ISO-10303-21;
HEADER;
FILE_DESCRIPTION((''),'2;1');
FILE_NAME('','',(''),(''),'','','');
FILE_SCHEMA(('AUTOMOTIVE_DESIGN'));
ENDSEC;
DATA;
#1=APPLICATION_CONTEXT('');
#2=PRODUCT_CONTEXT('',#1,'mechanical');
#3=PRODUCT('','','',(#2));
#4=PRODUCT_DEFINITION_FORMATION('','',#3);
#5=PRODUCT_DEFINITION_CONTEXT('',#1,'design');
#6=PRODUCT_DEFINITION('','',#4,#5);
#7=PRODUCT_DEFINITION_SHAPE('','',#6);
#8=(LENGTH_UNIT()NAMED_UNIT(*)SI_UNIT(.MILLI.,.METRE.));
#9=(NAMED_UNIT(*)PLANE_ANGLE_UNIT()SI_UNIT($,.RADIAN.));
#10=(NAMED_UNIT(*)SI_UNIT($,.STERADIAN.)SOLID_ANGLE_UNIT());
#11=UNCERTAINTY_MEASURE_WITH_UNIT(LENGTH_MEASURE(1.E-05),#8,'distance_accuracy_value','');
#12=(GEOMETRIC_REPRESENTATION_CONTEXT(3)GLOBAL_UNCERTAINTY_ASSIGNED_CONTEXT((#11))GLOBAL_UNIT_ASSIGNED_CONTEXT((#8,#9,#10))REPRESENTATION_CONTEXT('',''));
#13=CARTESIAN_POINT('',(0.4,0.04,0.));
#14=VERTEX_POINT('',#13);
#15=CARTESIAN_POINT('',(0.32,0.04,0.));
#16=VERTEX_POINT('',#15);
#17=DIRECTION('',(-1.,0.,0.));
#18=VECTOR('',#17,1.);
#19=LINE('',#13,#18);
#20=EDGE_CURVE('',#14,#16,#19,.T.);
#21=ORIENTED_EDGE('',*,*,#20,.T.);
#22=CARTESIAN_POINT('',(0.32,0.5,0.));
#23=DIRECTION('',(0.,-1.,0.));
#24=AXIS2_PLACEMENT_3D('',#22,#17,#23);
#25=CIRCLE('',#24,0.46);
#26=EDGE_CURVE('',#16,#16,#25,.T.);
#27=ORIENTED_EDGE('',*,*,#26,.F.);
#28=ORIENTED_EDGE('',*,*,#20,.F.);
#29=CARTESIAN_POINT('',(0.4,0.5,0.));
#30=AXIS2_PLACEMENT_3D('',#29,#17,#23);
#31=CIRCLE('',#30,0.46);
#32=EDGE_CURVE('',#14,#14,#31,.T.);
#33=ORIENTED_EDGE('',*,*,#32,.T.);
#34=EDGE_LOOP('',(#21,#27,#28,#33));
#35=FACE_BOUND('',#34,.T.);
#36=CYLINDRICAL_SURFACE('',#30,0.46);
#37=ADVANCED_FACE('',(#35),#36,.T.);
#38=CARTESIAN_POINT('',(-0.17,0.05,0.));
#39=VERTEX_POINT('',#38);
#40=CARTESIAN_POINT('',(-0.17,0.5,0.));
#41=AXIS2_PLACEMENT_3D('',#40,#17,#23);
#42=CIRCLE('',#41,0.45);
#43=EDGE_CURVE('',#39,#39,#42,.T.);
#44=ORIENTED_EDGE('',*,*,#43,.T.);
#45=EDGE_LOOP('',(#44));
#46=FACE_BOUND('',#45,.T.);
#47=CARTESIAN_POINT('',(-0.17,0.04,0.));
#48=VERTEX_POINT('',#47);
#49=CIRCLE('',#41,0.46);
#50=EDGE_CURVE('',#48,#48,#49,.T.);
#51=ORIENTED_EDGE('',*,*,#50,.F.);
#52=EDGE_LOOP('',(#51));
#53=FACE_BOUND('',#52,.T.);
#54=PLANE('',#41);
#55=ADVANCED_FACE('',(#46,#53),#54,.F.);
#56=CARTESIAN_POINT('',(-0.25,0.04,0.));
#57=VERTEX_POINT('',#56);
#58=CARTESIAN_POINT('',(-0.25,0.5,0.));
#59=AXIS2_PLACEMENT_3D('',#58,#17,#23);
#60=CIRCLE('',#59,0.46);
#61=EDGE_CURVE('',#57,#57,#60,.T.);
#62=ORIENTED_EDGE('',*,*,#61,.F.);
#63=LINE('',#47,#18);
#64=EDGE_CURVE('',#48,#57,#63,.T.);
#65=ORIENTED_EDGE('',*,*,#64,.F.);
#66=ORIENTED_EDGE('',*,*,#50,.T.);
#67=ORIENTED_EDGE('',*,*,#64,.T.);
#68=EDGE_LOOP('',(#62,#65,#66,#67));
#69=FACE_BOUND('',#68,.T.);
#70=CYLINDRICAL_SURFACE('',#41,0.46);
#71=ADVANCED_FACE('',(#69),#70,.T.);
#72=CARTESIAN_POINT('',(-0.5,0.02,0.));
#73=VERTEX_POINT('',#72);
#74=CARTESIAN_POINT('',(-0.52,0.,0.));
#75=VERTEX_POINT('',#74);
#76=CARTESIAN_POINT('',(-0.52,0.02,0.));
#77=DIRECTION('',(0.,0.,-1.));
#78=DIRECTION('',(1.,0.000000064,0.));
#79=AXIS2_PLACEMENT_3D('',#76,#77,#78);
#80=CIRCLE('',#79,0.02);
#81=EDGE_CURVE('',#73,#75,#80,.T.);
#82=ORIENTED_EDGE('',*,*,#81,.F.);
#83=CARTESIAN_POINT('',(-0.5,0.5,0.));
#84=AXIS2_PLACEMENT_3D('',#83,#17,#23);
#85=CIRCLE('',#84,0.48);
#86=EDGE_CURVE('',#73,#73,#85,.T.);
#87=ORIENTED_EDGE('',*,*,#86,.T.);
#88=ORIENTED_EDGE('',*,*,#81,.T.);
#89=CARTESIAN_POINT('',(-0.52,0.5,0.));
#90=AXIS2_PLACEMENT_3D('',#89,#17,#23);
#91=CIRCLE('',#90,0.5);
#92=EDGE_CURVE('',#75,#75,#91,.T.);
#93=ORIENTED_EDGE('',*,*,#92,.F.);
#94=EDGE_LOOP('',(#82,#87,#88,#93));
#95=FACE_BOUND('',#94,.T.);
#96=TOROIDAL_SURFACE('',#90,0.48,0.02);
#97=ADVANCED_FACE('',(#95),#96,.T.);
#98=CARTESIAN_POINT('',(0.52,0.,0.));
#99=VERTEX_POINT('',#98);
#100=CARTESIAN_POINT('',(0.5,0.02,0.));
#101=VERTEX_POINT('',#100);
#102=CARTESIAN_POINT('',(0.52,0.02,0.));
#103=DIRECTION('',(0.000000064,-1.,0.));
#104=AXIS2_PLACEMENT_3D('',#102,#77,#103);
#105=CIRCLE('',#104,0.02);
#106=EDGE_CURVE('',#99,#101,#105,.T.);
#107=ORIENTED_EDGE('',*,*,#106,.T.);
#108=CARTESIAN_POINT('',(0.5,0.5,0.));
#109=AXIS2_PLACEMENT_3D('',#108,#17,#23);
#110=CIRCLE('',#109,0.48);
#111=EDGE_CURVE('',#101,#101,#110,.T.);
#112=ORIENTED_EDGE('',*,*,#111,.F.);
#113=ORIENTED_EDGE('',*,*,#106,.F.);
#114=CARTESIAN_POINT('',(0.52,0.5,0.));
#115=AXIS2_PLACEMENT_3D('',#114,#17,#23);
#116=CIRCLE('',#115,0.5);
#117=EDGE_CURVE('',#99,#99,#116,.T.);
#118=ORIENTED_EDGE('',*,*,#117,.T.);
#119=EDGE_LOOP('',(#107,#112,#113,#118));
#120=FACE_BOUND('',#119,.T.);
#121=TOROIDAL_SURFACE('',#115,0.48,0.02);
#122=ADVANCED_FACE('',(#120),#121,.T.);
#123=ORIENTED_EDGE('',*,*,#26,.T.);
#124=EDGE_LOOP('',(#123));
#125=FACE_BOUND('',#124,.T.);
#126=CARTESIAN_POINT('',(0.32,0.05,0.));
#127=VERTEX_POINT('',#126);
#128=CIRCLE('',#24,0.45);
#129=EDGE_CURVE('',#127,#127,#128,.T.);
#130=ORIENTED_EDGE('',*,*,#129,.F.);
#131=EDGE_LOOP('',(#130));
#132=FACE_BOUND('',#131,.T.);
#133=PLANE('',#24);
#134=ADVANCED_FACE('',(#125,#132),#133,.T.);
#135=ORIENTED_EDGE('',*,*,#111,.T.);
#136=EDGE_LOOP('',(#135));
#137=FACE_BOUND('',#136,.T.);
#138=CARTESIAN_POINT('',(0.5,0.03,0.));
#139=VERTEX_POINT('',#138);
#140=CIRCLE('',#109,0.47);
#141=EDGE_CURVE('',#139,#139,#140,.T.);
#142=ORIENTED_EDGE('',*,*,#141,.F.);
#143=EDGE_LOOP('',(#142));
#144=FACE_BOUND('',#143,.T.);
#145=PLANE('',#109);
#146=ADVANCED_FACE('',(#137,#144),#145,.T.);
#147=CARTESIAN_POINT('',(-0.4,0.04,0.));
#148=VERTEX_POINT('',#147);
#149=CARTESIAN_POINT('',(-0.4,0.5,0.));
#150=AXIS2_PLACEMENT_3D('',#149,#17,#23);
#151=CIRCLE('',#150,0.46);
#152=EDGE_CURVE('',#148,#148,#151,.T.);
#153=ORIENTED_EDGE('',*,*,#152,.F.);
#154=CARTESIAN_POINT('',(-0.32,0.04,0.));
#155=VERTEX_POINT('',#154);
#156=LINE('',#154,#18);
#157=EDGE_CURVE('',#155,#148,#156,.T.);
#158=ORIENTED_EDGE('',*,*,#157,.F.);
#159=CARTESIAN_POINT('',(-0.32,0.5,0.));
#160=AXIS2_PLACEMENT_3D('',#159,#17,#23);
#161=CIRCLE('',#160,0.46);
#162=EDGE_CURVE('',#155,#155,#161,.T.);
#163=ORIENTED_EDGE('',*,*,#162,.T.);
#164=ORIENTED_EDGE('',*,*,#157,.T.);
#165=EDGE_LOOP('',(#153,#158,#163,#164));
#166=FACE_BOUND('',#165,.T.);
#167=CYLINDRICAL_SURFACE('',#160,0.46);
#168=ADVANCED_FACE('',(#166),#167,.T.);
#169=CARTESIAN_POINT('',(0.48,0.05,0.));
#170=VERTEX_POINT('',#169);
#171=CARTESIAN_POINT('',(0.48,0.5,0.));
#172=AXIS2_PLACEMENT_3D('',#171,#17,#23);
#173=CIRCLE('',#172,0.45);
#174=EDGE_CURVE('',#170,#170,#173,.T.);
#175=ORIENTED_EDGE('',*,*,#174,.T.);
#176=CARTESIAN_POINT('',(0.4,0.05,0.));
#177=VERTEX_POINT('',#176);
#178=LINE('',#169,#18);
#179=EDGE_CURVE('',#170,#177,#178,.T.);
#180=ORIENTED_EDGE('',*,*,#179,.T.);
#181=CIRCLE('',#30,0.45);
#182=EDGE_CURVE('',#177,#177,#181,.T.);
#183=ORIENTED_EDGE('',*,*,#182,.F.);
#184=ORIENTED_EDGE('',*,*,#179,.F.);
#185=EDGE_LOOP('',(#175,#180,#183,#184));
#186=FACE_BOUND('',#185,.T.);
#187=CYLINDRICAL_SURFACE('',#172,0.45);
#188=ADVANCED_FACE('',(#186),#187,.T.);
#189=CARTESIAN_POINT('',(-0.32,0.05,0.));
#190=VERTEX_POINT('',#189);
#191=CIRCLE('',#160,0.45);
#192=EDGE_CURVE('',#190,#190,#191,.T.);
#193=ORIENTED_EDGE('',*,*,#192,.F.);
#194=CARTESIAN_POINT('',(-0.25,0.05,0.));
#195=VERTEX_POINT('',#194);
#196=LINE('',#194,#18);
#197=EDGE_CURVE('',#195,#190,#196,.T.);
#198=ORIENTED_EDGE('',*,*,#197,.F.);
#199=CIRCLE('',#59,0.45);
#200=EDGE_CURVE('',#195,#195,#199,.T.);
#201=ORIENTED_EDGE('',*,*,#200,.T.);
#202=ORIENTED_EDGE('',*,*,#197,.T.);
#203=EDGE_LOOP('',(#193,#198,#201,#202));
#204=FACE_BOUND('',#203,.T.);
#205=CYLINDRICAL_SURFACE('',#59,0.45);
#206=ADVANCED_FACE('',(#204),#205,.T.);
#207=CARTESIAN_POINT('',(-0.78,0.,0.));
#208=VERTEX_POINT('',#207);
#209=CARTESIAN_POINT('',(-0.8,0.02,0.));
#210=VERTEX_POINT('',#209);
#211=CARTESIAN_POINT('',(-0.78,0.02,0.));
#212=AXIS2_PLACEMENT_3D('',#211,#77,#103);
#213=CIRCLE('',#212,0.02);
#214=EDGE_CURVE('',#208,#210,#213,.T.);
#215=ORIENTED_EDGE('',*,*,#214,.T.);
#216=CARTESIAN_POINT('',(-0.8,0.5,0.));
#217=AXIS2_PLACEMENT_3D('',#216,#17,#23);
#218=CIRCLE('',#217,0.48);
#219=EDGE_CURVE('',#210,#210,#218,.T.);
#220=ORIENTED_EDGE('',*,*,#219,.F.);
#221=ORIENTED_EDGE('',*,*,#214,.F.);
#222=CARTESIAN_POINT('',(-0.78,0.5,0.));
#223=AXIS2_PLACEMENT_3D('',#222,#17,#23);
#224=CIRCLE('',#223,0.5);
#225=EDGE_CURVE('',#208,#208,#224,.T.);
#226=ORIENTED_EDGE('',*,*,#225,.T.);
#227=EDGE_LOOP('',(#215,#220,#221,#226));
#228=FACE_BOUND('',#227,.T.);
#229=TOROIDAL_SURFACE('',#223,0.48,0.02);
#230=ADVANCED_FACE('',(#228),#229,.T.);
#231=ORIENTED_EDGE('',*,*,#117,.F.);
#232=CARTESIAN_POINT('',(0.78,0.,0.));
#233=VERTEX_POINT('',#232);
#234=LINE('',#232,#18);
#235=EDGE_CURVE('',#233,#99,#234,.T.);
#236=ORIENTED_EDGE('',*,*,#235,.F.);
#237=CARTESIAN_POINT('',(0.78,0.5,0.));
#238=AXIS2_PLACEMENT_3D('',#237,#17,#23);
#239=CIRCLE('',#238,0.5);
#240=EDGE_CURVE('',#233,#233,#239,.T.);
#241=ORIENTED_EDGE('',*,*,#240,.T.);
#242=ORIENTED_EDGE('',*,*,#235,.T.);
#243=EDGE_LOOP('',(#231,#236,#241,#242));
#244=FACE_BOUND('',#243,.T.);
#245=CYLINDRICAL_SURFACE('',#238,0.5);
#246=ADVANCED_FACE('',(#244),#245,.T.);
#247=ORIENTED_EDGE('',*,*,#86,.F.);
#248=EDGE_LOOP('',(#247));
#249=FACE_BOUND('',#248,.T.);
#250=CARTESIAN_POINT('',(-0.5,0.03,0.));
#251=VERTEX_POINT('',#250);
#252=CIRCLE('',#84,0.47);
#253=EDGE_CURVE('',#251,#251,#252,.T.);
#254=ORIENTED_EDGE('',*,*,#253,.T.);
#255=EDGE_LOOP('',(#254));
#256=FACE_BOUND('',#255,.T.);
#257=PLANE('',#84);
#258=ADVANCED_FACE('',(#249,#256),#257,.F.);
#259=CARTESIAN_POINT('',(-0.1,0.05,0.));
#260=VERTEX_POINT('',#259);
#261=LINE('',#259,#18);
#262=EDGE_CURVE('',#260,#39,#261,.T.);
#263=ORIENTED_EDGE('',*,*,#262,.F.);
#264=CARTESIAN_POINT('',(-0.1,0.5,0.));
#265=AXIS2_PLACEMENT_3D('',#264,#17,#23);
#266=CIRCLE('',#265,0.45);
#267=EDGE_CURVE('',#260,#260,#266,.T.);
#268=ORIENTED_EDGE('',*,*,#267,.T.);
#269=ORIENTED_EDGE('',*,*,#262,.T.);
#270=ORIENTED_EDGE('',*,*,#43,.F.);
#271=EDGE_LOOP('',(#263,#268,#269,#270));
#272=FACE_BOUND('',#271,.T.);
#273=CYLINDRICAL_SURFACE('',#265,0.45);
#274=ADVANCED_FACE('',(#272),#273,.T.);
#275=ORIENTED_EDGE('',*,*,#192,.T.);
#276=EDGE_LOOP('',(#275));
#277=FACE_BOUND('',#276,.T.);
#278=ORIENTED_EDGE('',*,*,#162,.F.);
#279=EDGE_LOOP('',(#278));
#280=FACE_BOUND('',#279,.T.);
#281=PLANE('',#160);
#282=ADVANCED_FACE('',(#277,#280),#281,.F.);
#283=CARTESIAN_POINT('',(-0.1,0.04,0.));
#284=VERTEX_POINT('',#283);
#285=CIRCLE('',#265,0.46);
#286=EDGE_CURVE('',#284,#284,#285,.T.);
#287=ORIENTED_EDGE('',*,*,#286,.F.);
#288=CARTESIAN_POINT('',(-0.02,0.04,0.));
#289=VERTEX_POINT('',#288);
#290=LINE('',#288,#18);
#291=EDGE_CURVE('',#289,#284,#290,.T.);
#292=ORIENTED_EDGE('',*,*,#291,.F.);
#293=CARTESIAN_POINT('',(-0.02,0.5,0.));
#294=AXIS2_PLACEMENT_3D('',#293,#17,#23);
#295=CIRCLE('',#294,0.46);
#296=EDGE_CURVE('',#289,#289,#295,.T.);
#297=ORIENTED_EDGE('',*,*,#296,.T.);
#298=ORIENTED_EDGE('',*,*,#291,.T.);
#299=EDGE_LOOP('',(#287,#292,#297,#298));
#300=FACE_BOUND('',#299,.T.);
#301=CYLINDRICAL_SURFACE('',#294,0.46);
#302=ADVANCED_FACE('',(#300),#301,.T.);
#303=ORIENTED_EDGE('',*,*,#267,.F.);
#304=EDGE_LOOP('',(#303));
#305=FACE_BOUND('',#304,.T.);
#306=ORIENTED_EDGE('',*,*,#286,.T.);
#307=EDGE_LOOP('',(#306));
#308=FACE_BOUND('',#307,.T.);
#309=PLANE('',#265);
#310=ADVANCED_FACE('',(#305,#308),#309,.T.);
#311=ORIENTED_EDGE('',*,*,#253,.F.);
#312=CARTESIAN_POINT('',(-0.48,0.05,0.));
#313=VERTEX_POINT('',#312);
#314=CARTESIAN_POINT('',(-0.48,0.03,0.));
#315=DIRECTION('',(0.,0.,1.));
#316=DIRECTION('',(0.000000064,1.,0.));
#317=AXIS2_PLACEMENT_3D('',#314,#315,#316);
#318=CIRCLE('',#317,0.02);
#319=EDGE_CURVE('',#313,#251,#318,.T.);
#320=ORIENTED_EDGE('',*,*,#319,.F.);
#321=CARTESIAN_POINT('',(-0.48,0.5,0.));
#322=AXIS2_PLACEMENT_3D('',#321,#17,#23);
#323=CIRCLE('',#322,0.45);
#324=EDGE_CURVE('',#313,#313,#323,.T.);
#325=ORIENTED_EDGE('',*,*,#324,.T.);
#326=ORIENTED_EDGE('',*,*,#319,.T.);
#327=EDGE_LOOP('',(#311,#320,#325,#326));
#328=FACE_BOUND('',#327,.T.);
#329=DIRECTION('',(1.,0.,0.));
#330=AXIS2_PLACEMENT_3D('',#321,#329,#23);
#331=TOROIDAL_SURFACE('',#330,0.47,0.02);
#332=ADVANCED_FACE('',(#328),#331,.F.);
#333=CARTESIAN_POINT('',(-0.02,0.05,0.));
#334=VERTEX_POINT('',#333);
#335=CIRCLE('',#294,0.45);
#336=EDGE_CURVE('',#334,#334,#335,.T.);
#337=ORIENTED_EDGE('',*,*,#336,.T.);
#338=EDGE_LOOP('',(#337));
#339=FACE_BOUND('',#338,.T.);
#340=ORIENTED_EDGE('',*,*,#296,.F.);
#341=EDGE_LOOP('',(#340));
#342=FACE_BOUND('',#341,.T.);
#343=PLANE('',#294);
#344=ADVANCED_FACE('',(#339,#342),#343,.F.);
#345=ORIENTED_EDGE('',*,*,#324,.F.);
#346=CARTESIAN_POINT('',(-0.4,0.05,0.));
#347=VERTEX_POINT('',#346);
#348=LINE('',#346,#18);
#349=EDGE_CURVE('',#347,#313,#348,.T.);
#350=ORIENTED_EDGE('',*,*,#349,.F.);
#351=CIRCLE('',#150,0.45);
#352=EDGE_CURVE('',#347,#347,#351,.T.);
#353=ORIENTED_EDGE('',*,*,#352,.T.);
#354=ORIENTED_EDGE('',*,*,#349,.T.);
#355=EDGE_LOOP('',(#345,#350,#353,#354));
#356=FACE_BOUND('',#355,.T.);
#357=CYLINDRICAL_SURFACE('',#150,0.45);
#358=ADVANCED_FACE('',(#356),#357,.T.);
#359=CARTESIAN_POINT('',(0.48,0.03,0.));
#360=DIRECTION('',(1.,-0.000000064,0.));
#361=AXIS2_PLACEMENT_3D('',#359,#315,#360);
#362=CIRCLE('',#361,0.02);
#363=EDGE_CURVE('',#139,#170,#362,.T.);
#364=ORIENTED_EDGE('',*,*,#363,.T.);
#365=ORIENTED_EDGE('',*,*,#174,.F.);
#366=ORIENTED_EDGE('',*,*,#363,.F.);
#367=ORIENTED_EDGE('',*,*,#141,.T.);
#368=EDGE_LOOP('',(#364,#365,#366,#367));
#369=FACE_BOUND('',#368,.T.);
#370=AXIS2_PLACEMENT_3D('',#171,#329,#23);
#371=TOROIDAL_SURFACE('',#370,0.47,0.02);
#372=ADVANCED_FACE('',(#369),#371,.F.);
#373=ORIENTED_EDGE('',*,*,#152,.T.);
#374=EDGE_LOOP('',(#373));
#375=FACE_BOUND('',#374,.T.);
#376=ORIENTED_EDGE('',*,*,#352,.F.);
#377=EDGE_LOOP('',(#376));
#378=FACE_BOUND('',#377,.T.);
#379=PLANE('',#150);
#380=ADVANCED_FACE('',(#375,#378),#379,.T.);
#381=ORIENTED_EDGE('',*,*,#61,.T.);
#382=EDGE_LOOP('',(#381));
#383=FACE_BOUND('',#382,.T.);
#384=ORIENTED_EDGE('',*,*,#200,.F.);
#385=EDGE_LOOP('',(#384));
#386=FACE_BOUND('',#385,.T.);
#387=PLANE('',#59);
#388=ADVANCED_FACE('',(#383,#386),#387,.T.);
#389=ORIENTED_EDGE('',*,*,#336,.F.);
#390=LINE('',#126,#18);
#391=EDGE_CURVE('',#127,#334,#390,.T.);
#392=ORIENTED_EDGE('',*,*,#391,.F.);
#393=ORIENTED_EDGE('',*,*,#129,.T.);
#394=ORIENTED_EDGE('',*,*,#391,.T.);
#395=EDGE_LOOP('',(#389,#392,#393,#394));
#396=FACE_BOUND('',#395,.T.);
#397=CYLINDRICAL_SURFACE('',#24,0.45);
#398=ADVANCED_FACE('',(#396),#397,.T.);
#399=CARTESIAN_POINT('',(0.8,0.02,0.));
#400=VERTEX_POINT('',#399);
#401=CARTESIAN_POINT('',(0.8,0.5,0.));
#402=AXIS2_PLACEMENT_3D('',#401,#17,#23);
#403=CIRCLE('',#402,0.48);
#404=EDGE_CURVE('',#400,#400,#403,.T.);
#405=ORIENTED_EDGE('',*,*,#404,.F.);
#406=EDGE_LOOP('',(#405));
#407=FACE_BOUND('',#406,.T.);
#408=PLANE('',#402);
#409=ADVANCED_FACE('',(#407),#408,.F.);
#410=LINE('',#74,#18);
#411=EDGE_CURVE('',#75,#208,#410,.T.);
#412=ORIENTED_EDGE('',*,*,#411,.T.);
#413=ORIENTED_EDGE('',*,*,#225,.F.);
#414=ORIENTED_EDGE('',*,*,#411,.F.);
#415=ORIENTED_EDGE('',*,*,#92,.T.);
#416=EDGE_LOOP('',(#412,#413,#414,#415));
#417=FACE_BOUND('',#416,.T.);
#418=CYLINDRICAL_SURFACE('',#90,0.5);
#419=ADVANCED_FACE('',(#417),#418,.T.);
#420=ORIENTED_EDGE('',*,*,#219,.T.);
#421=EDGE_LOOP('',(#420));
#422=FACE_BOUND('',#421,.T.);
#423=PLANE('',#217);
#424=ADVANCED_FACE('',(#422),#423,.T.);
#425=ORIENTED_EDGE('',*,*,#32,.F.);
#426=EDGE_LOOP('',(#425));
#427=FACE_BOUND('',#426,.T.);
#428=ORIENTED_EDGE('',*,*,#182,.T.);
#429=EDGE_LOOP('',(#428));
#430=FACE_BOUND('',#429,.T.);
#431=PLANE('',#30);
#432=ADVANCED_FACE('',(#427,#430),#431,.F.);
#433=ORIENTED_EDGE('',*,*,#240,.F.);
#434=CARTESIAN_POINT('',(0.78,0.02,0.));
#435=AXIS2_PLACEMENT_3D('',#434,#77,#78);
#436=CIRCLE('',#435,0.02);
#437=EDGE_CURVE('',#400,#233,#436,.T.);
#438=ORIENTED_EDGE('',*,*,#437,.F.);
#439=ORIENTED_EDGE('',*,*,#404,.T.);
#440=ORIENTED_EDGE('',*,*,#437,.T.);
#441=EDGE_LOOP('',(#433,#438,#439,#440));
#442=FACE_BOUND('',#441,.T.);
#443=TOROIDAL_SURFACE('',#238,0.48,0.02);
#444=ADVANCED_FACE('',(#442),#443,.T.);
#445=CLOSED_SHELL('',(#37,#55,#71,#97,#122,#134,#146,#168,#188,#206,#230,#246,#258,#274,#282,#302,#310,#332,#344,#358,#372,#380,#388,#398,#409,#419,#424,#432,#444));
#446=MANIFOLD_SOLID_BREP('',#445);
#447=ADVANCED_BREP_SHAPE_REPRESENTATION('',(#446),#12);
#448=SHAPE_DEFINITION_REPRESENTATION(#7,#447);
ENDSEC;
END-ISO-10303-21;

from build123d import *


with BuildPart() as part:
    # Sketch1 → Revolve1 (revolve)
    with BuildSketch(Plane.XY):
        with BuildLine():
            Line((-0.8, 0.5), (0.8, 0.5))
            Line((0.8, 0.5), (0.8, 0.02))
            ThreePointArc((0.8, 0.02), (0.794142136, 0.005857864), (0.78, 0))
            Line((0.78, 0), (0.52, 0))
            ThreePointArc((0.52, 0), (0.505857864, 0.005857864), (0.5, 0.02))
            Line((0.5, 0.02), (0.5, 0.03))
            ThreePointArc((0.5, 0.03), (0.494142136, 0.044142136), (0.48, 0.05))
            Line((0.48, 0.05), (0.4, 0.05))
            Line((0.4, 0.05), (0.4, 0.04))
            Line((0.4, 0.04), (0.32, 0.04))
            Line((0.32, 0.04), (0.32, 0.05))
            Line((0.32, 0.05), (-0.02, 0.05))
            Line((-0.02, 0.05), (-0.02, 0.04))
            Line((-0.02, 0.04), (-0.1, 0.04))
            Line((-0.1, 0.04), (-0.1, 0.05))
            Line((-0.1, 0.05), (-0.17, 0.05))
            Line((-0.17, 0.05), (-0.17, 0.04))
            Line((-0.17, 0.04), (-0.25, 0.04))
            Line((-0.25, 0.04), (-0.25, 0.05))
            Line((-0.25, 0.05), (-0.32, 0.05))
            Line((-0.32, 0.05), (-0.32, 0.04))
            Line((-0.32, 0.04), (-0.4, 0.04))
            Line((-0.4, 0.04), (-0.4, 0.05))
            Line((-0.4, 0.05), (-0.48, 0.05))
            ThreePointArc((-0.48, 0.05), (-0.494142136, 0.044142136), (-0.5, 0.03))
            Line((-0.5, 0.03), (-0.5, 0.02))
            ThreePointArc((-0.5, 0.02), (-0.505857864, 0.005857864), (-0.52, 0))
            Line((-0.52, 0), (-0.78, 0))
            ThreePointArc((-0.78, 0), (-0.794142136, 0.005857864), (-0.8, 0.02))
            Line((-0.8, 0.02), (-0.8, 0.5))
        make_face()
    revolve(axis=Axis((-0.8, 0.5, 0), (-1, 0, 0)))


solid = part.part
